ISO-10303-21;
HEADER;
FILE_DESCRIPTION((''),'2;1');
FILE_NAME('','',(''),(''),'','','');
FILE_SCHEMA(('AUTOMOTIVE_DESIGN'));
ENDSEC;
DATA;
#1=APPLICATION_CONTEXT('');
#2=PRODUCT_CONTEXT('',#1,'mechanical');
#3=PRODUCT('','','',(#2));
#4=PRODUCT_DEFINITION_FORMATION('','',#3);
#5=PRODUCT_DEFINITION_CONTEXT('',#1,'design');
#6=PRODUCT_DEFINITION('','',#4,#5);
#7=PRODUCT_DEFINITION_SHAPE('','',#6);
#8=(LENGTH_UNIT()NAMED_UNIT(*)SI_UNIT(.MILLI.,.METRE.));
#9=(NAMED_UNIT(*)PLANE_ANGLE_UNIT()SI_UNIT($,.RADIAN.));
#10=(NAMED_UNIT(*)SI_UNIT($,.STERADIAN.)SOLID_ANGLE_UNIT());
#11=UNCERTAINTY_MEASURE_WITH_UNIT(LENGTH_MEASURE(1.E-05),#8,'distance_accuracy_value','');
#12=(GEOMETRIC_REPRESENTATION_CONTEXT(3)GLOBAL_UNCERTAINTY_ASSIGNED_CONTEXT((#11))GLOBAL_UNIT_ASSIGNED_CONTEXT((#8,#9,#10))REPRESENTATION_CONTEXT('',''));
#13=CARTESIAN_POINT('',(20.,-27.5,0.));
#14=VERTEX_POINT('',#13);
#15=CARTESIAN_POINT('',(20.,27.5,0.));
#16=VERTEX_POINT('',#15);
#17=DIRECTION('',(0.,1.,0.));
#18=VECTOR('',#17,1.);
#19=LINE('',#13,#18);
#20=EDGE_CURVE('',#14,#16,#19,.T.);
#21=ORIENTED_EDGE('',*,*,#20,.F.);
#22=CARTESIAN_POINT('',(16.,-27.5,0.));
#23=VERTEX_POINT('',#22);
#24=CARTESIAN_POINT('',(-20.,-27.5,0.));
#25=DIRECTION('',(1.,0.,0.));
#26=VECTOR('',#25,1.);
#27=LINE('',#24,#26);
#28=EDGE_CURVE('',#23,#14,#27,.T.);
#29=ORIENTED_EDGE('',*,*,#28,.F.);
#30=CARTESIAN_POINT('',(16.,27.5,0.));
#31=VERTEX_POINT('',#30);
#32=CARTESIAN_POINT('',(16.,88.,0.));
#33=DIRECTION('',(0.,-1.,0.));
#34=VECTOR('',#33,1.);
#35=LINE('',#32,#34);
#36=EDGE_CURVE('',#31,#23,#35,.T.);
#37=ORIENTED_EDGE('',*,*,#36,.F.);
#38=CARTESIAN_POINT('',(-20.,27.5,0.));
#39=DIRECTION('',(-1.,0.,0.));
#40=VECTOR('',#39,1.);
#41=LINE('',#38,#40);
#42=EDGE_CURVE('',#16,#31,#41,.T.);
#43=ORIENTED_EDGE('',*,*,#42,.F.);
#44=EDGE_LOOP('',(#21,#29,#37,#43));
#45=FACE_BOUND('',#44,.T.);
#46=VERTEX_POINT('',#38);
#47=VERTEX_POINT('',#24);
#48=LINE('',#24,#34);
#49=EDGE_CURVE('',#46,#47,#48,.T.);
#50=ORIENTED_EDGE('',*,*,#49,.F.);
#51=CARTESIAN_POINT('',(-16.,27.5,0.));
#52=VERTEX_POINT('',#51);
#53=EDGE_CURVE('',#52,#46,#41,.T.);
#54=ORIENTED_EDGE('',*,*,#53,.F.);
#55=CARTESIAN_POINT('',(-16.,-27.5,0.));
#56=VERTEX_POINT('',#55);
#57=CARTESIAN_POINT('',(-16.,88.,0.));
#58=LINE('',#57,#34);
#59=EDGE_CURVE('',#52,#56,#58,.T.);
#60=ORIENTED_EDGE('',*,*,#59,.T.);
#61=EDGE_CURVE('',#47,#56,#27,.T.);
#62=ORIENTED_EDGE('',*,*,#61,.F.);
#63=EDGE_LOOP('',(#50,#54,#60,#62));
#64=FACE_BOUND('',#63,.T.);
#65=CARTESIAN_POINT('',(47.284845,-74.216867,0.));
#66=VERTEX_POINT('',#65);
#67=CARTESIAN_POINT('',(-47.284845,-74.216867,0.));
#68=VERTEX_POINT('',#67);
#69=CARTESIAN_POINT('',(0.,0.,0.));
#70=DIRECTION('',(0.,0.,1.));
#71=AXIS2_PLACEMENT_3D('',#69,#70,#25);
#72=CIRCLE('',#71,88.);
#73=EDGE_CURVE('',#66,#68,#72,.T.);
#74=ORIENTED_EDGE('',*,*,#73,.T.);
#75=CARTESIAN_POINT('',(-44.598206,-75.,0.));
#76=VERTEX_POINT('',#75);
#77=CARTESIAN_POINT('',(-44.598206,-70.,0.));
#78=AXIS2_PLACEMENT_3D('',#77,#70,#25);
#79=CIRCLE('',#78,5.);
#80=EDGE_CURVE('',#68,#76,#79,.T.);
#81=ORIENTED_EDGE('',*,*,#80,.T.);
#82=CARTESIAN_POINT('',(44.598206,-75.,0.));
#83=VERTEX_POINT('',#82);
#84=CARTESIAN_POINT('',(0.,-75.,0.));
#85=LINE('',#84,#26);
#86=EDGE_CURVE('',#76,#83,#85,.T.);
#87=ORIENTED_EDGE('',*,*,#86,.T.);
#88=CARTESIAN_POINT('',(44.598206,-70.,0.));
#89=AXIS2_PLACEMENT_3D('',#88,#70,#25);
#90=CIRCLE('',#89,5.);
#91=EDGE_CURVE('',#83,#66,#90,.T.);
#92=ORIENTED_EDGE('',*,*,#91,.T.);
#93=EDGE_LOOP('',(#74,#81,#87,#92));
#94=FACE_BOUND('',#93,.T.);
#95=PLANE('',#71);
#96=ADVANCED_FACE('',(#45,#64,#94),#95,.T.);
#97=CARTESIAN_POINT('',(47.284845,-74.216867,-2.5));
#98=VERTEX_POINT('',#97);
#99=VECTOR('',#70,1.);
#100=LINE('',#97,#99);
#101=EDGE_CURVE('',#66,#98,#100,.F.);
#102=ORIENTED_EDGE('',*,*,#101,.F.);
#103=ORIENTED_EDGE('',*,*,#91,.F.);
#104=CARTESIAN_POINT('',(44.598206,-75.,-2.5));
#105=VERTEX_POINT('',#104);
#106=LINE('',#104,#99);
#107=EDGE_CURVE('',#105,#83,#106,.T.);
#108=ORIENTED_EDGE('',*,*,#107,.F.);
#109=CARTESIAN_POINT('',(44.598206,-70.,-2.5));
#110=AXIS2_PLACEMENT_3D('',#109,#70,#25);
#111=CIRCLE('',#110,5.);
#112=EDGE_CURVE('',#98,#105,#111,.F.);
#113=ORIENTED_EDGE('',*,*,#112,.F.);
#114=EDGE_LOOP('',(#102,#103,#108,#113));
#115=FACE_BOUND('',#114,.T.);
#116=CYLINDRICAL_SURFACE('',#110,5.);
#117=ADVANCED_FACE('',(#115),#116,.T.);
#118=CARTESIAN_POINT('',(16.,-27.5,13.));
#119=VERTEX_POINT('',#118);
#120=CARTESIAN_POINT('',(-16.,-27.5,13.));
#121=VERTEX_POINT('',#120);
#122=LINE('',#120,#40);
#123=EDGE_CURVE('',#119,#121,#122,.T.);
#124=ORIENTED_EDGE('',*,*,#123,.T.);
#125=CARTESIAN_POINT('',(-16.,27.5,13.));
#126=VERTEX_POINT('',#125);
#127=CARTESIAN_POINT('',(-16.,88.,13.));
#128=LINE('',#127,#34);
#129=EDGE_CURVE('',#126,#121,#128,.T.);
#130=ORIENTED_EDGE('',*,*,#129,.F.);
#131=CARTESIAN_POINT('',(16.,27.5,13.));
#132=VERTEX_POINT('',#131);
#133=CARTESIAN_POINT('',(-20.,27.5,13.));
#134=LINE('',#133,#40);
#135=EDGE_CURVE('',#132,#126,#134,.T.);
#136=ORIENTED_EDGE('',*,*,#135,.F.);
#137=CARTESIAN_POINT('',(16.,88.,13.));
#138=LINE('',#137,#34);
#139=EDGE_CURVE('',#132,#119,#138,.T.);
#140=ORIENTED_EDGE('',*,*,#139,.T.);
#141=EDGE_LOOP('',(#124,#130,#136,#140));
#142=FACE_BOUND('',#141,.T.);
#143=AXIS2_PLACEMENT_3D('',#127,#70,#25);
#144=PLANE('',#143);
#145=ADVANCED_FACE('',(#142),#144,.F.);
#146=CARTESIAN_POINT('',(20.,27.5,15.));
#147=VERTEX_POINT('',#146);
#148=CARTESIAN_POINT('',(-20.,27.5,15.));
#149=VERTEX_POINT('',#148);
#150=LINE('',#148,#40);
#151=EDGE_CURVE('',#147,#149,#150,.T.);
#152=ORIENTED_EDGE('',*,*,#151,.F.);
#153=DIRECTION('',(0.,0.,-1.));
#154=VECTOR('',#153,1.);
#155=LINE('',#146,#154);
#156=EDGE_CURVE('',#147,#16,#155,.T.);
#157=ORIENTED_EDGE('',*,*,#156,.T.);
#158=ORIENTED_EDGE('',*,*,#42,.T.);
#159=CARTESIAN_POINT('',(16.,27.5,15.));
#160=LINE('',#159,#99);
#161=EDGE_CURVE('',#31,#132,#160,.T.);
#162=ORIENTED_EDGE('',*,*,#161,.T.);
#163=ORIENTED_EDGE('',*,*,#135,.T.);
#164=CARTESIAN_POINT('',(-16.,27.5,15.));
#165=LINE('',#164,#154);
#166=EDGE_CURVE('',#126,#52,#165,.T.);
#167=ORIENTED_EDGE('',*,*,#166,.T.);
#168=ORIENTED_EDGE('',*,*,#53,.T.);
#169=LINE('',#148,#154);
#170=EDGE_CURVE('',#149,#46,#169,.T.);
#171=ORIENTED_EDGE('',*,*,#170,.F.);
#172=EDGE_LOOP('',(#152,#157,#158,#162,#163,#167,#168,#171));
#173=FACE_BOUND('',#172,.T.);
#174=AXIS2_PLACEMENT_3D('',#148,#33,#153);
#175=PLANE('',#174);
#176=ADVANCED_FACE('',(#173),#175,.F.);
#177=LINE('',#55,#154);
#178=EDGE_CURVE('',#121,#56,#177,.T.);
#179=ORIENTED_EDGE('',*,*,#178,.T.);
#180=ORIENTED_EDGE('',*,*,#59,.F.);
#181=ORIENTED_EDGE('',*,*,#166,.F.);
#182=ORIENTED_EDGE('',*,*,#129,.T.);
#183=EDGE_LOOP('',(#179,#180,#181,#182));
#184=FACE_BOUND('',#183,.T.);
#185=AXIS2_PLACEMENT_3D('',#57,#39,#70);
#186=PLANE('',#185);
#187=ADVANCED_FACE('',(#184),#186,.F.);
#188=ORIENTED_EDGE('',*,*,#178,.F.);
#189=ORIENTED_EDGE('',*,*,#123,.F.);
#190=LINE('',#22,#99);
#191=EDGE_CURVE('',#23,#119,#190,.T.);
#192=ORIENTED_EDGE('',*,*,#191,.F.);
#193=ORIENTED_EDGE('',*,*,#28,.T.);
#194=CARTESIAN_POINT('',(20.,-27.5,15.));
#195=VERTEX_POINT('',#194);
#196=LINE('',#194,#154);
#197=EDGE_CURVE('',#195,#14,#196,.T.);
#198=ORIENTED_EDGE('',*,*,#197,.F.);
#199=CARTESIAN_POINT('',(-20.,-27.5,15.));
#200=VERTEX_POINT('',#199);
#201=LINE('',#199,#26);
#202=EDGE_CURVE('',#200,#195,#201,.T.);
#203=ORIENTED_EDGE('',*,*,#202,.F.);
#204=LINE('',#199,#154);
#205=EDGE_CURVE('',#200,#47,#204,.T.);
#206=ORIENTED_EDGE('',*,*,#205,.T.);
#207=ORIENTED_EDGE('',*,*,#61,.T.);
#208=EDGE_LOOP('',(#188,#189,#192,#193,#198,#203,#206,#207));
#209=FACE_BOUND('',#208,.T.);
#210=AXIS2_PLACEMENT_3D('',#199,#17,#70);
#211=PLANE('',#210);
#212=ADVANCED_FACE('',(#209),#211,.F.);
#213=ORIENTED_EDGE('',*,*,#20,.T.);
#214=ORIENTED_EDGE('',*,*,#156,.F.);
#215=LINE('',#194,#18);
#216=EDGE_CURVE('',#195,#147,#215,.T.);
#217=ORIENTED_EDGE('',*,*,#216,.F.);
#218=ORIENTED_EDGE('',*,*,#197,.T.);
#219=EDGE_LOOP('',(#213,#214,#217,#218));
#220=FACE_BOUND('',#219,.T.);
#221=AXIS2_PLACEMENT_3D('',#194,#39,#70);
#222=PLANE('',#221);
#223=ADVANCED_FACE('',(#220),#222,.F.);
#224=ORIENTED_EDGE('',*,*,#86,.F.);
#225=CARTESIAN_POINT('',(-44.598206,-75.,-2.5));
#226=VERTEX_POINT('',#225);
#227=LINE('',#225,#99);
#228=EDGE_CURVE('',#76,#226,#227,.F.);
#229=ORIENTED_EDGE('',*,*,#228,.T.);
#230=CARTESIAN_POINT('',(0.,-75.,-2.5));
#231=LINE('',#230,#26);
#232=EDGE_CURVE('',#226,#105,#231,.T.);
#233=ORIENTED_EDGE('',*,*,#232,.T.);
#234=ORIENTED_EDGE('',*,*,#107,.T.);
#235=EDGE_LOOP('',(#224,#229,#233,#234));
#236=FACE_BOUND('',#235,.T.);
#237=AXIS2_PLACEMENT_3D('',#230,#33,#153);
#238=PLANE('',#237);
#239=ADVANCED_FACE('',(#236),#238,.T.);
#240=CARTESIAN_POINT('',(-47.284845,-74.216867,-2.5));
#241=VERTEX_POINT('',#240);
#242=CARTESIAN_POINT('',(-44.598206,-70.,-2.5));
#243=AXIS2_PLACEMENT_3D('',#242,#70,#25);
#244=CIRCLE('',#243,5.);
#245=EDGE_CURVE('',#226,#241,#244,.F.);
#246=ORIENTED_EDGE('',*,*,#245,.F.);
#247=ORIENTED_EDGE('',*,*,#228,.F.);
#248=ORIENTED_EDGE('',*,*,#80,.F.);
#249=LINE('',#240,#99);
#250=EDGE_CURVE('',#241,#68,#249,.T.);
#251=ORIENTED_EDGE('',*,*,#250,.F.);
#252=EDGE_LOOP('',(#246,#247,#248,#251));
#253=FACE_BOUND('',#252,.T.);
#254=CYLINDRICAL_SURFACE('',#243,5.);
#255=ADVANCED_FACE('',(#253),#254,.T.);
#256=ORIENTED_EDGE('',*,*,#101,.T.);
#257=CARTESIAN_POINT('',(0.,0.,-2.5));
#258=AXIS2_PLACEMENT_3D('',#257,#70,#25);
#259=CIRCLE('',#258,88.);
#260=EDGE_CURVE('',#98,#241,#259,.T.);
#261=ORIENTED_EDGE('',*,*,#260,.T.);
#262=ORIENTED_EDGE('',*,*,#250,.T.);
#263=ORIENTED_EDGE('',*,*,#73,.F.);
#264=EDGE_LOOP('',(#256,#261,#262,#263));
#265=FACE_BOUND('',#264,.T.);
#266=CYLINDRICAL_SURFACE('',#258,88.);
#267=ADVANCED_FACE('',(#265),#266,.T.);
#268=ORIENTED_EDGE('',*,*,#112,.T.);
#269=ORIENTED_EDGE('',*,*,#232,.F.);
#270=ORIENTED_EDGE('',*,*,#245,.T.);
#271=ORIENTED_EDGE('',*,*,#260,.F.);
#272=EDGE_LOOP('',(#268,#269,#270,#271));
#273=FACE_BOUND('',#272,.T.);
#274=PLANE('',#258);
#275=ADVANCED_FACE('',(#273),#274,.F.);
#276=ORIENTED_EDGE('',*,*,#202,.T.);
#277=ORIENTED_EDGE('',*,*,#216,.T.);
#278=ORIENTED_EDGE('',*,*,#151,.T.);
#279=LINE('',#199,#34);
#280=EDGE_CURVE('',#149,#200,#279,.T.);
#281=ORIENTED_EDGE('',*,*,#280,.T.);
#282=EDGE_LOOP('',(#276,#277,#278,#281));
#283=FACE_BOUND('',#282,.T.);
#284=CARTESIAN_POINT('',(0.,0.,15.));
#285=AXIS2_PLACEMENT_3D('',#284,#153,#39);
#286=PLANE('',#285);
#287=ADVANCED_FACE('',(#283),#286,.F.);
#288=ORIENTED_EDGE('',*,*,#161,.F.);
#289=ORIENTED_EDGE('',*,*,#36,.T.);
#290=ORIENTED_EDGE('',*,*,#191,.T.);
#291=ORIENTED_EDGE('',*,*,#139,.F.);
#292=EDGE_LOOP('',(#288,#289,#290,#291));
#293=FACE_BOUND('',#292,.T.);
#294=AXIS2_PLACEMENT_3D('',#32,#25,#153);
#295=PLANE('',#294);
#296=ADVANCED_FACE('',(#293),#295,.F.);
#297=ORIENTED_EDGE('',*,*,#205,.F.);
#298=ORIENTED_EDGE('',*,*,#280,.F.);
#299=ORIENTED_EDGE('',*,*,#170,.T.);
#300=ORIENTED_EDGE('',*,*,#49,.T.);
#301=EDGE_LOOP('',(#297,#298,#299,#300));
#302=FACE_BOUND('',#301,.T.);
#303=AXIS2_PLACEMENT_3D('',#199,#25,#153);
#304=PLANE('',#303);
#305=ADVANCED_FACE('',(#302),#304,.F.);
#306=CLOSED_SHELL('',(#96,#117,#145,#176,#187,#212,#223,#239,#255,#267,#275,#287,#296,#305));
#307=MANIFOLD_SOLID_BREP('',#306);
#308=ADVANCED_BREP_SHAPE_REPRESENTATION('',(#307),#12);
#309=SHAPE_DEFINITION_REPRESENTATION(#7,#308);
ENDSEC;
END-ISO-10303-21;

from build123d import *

# Parameters (mm, degrees)
BOSS_EXTRUDE1_DEPTH = 2.5
SKETCH2_W           = 40
SKETCH2_H           = 55
BOSS_EXTRUDE2_DEPTH = 15
SKETCH3_W           = 32
SKETCH3_H           = 13
CUT_EXTRUDE1_DEPTH  = 146.976881731
FILLET1_R           = 5


with BuildPart() as part:
    # Sketch1 → Boss-Extrude1 (new body)
    with BuildSketch(Plane.XY):
        with BuildLine():
            ThreePointArc((88, 0), (-42.971685161, 76.794754212), (-46.032597146, -75))
            Line((-46.032597146, -75), (46.032597146, -75))
            ThreePointArc((46.032597146, -75), (76.794754212, -42.971685161), (88, 0))
        make_face()
    extrude(amount=-BOSS_EXTRUDE1_DEPTH)

    # Sketch2 → Boss-Extrude2 (add)
    with BuildSketch(Plane.XY):
        Rectangle(SKETCH2_W, SKETCH2_H)
    extrude(amount=BOSS_EXTRUDE2_DEPTH)

    # Sketch3 → Cut-Extrude1 (cut, through all)
    with BuildSketch(Plane.XZ.offset(27.5)):
        with Locations((0, 6.5)):
            Rectangle(SKETCH3_W, SKETCH3_H)
    extrude(amount=-CUT_EXTRUDE1_DEPTH, mode=Mode.SUBTRACT)

    # Fillet1
    fillet1_edges = [part.edges().sort_by_distance(p)[0] for p in [
        (-46.032597146, -75, -1.25),
        (46.032597146, -75, -1.25),
    ]]
    fillet(fillet1_edges, radius=FILLET1_R)


solid = part.part
